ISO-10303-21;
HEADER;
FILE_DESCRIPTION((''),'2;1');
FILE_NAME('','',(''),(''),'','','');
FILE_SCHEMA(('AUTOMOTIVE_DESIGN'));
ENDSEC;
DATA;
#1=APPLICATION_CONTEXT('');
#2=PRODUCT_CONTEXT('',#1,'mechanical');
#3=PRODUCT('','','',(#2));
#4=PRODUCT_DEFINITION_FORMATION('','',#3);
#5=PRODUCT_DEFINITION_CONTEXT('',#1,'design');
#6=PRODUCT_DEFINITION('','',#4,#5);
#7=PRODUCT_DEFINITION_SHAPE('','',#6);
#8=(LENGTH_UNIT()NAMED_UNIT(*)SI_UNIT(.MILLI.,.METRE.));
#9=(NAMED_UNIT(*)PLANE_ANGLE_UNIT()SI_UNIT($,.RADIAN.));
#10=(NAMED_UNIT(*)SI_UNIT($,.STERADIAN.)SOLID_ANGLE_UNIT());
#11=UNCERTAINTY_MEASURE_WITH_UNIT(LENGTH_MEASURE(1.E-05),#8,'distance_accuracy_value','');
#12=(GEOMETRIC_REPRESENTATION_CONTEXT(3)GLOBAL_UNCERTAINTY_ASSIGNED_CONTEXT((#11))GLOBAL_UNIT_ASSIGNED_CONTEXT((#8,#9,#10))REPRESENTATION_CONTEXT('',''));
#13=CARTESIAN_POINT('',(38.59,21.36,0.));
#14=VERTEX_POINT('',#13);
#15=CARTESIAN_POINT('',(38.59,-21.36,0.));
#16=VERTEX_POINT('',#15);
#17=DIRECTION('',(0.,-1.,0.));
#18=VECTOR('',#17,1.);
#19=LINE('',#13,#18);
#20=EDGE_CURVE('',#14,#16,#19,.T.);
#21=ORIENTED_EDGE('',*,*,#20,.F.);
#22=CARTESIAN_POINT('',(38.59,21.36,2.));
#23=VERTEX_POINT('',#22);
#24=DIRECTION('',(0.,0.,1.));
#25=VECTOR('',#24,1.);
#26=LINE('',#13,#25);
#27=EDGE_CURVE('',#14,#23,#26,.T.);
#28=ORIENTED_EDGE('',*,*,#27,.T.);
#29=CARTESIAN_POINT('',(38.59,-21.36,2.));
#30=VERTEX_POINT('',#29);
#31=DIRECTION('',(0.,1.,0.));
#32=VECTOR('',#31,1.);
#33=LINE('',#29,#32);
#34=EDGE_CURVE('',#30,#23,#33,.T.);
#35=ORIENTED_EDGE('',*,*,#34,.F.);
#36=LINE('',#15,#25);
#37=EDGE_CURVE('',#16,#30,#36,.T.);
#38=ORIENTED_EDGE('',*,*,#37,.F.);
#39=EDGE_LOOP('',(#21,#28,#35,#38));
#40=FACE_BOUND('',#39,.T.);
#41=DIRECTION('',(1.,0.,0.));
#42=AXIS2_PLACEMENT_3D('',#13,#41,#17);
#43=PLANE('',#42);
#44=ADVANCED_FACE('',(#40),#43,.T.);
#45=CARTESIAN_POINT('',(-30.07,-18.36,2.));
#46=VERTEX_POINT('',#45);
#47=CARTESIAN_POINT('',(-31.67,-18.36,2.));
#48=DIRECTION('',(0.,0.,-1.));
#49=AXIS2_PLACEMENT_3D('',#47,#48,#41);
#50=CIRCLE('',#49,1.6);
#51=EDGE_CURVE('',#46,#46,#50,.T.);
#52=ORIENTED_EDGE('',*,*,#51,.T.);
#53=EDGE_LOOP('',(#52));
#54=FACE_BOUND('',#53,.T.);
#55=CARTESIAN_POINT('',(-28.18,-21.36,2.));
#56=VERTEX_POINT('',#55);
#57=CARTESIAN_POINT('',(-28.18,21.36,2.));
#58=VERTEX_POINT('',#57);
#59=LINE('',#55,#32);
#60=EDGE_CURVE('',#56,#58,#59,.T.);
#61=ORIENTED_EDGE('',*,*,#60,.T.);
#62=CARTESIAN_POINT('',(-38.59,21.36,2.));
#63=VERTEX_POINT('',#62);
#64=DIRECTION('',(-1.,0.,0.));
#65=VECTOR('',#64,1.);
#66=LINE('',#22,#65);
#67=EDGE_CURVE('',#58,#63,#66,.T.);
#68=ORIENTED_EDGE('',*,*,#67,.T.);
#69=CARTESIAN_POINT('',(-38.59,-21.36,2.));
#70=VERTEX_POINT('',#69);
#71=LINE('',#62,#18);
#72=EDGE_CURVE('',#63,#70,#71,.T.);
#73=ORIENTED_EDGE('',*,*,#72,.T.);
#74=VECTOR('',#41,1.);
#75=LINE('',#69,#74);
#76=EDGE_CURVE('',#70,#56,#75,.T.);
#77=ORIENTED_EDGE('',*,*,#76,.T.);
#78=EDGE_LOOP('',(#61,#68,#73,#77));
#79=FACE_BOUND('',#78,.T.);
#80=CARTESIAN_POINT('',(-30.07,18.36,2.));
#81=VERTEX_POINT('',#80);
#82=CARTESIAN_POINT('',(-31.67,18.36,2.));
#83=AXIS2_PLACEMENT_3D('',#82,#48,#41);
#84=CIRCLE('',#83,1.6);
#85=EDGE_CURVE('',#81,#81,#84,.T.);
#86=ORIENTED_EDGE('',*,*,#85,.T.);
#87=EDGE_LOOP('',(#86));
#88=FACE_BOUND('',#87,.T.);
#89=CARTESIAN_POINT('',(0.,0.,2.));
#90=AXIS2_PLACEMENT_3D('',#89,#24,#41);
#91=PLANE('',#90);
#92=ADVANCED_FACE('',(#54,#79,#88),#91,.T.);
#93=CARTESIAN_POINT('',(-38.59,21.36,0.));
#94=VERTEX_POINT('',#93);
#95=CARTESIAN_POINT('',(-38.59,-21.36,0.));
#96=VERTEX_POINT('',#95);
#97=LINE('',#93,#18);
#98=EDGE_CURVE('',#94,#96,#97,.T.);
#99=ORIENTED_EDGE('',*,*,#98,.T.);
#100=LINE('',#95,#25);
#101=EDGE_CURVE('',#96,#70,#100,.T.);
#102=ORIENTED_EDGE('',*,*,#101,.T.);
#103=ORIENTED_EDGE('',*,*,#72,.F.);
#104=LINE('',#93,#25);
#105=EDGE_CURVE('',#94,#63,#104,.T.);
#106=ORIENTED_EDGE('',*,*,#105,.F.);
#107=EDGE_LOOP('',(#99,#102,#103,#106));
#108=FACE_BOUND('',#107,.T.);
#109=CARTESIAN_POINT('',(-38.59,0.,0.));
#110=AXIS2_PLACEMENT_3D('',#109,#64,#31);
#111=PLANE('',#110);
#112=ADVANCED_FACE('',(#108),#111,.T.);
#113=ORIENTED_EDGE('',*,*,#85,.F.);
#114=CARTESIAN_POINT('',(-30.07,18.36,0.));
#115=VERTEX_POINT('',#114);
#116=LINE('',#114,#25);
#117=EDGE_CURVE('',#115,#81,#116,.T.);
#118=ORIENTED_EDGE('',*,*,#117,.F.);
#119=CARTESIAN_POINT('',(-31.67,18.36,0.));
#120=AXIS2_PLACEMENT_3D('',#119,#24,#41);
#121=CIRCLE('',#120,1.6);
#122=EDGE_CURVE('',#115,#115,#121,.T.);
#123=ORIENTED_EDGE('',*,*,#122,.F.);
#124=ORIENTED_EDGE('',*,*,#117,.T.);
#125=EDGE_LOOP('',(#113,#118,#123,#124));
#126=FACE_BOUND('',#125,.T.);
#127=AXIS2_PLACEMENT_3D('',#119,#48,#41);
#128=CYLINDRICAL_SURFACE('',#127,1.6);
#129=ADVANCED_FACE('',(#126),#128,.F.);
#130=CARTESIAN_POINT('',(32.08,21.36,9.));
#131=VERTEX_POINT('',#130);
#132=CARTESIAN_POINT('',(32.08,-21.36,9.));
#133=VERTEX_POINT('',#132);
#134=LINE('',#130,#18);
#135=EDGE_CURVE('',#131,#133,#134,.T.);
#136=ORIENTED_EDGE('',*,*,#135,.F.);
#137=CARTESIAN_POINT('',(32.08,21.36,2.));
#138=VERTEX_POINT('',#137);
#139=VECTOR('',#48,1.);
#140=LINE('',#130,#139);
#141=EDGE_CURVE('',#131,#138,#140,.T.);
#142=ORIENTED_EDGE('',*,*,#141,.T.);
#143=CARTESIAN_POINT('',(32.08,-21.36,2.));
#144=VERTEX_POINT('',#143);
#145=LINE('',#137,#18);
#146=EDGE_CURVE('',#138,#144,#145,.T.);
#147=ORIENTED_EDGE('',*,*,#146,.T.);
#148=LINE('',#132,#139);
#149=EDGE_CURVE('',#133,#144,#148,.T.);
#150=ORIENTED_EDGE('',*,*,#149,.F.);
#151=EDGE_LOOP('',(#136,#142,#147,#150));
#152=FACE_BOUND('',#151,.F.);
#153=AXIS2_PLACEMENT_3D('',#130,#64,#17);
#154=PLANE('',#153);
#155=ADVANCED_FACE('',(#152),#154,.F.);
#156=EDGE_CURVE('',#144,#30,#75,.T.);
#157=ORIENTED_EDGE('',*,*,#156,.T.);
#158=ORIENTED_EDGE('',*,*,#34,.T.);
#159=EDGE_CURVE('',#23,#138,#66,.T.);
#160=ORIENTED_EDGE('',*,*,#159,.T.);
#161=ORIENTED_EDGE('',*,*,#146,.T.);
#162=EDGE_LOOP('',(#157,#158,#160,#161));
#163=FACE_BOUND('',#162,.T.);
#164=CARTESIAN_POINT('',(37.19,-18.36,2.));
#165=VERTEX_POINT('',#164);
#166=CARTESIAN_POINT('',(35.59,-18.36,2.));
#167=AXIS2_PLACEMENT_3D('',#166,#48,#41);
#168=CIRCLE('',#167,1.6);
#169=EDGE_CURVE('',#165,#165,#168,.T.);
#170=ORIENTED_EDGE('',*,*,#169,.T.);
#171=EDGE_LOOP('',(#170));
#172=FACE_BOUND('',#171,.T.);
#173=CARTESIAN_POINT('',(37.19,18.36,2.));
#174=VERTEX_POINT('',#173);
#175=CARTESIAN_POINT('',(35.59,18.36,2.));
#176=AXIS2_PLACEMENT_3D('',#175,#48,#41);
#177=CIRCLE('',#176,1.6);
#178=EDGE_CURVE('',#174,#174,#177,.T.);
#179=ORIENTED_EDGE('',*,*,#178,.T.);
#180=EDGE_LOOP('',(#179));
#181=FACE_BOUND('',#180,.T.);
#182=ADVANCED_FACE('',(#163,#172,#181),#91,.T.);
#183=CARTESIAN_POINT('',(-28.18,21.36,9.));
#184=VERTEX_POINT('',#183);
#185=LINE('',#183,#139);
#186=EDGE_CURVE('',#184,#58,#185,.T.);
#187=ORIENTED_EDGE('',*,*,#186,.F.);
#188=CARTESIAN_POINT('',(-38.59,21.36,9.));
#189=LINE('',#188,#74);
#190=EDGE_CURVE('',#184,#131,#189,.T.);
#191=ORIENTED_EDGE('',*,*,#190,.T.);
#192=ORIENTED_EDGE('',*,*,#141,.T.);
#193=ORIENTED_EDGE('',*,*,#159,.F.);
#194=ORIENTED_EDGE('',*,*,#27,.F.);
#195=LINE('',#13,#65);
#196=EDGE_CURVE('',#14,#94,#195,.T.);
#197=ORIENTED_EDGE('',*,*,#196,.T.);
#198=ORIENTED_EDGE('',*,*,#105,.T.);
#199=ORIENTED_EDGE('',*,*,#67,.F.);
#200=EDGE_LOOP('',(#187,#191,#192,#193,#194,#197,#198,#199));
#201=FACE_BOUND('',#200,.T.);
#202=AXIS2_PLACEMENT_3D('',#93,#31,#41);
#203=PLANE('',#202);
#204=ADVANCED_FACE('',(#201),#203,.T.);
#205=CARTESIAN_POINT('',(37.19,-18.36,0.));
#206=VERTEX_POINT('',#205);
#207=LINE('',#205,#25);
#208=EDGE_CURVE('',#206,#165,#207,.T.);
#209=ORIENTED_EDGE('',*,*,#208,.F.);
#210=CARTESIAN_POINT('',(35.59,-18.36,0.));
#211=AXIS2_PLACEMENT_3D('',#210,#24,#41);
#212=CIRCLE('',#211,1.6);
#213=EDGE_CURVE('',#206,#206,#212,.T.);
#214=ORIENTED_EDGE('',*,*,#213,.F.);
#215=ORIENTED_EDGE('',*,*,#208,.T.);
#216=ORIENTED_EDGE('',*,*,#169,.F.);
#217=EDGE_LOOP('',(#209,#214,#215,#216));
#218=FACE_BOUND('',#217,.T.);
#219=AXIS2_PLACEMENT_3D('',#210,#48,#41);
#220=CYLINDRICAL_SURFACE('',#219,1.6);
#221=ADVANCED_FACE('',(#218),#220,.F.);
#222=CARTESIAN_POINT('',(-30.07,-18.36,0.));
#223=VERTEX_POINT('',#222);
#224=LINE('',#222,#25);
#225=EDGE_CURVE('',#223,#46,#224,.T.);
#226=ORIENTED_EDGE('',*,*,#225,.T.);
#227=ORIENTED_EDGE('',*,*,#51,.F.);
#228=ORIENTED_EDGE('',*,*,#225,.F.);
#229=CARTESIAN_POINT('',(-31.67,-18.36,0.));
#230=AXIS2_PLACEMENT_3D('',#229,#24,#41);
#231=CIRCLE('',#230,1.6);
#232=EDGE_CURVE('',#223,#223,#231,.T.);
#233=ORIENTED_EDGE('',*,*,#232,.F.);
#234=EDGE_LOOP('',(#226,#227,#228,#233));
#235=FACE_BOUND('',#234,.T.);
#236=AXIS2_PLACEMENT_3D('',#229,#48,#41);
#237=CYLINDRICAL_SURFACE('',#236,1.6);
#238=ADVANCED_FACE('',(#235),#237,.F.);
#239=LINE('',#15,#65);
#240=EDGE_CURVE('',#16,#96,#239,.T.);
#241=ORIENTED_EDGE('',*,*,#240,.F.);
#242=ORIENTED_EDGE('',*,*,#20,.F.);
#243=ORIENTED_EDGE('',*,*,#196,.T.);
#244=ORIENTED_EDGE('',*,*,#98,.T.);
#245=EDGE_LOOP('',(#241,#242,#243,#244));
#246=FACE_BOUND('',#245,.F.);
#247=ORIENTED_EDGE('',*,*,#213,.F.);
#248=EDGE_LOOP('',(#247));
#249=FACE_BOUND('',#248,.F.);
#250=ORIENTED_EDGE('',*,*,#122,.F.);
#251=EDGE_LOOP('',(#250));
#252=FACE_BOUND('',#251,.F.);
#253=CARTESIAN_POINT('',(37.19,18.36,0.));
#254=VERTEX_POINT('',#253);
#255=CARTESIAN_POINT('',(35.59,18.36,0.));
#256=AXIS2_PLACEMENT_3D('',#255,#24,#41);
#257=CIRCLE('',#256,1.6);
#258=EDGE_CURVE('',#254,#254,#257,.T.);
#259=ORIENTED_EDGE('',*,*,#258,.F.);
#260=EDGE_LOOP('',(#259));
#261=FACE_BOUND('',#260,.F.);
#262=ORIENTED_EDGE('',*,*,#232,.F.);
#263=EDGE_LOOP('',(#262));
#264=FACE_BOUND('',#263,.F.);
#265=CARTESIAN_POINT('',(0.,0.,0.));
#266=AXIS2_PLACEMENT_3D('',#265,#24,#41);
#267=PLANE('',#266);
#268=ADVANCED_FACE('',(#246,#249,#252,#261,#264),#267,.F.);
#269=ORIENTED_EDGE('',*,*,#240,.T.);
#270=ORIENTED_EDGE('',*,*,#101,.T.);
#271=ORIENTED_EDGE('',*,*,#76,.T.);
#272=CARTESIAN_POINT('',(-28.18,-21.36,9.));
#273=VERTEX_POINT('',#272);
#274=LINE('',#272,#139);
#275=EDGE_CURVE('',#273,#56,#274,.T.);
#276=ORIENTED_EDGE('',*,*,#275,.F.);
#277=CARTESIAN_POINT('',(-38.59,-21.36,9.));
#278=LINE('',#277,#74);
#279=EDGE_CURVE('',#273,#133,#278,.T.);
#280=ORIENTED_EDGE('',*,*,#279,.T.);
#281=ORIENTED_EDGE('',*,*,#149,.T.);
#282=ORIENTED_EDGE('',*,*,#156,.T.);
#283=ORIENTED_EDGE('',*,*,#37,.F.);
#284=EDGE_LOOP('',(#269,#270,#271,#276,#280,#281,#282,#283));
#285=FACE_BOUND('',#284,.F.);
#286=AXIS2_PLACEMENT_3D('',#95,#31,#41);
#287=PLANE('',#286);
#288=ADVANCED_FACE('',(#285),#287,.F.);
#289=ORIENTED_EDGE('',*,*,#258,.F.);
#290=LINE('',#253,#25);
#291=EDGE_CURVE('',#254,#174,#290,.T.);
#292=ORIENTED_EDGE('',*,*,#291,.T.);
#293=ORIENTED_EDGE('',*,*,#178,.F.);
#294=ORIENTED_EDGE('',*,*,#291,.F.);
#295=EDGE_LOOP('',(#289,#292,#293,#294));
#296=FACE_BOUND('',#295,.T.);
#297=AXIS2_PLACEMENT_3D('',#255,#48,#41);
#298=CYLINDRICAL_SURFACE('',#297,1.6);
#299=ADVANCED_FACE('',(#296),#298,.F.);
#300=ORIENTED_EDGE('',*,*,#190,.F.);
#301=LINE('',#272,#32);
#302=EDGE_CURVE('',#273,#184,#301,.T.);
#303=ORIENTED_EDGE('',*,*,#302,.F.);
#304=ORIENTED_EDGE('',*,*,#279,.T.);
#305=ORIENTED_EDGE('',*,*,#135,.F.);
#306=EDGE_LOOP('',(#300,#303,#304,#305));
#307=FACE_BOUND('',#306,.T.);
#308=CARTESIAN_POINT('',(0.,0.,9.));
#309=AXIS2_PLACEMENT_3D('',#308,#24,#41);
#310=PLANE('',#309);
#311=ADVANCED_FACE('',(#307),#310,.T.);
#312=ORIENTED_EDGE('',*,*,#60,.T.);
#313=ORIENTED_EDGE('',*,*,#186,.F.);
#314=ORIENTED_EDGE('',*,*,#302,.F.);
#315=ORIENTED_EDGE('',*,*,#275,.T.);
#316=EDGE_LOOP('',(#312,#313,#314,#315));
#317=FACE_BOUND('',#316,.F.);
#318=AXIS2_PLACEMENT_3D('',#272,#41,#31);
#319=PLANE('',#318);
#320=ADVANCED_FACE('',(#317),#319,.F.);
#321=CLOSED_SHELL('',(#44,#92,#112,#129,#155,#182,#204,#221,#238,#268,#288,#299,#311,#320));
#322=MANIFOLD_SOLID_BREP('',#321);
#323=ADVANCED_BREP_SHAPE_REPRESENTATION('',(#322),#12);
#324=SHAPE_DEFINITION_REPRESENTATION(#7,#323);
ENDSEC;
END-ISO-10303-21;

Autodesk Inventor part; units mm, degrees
ref_plane "YZ Plane" through (0, 0, 0) normal (1, 0, 0) x (0, 1, 0)
ref_plane "XZ Plane" through (0, 0, 0) normal (0, 1, 0) x (-1, 0, 0)
ref_plane "XY Plane" through (0, 0, 0) normal (0, 0, 1) x (1, 0, 0)
sketch "Ecran" plane through (0, 0, 0) normal (0, 0, 1) x (1, 0, 0)
  line L0 (-38.59, 21.36) -> (38.59, 21.36)
  line L1 (38.59, 21.36) -> (38.59, 0)
  line L2 (-38.59, 0) -> (-38.59, 21.36)
  circle A0 centre (35.59, 18.36) radius 1.6
  line L3 (-38.59, 0) -> (38.59, 0)
  line L4 (35.59, 21.36) -> (35.59, 0)
  line L5 (-31.67, 21.36) -> (-31.67, 0)
  circle A1 centre (-31.67, 18.36) radius 1.6
  line L6 (-38.59, -21.36) -> (38.59, -21.36)
  line L7 (38.59, -21.36) -> (38.59, 0)
  line L8 (-38.59, 0) -> (-38.59, -21.36)
  circle A2 centre (35.59, -18.36) radius 1.6
  line L9 (35.59, -21.36) -> (35.59, 0)
  line L10 (-31.67, -21.36) -> (-31.67, 0)
  circle A3 centre (-31.67, -18.36) radius 1.6
  line L11 (32.08, 21.36) -> (-28.18, 21.36)
  line L12 (-28.18, 21.36) -> (-28.18, -21.36)
  line L13 (-28.18, -21.36) -> (32.08, -21.36)
  line L14 (32.08, -21.36) -> (32.08, 21.36)
  point P0 (0, 0)
  point P1 (38.59, 10.68)
  point P2 (35.59, 10.68)
  point P3 (38.59, -10.68)
  point P4 (35.59, -10.68)
  dimension "d3" = 3.2
  dimension "d4" = 3
  dimension "d5" = 77.18
  dimension "d6" = 21.36
  dimension "d8" = 67.26
  dimension "d9" = 3
  dimension "d12" = 60.26
  dimension "d13" = 6.51
extrude "Extrusion1" add sketch "Ecran" along normal blind 9 contours L0 L5 A1 L3 L2 | L0 L12 L3 L5 A1 | L3 L10 A3 L6 L8 | L0 L14 L3 L12 | L3 L12 L6 L10 A3 | L0 L4 A0 L3 L14 | L3 L14 L6 L12 | L0 L1 L3 L4 A0 | L3 L9 A2 L6 L14 | L3 L7 L6 L9 A2
sketch "Sketch3" plane through (0, 0, 9) normal (0, 0, 1) x (1, 0, 0)
  line L0 (38.59, 21.36) -> (-38.59, 21.36) projected
  line L1 (-38.59, -21.36) -> (38.59, -21.36) projected
  line L2 (38.59, 21.36) -> (32.08, 21.36)
  line L3 (32.08, 21.36) -> (32.08, -21.36)
  line L4 (32.08, -21.36) -> (38.59, -21.36)
  line L5 (38.59, -21.36) -> (38.59, 21.36)
  line L6 (32.08, -21.36) -> (-28.18, -21.36)
  line L7 (-28.18, -21.36) -> (-28.18, 21.36)
  line L8 (-28.18, 21.36) -> (32.08, 21.36)
  line L9 (32.08, 21.36) -> (32.08, -21.36)
  line L10 (-38.59, 21.36) -> (-38.59, -21.36) projected
  line L11 (-28.18, 21.36) -> (-38.59, 21.36)
  line L12 (-38.59, 21.36) -> (-38.59, -21.36)
  line L13 (-38.59, -21.36) -> (-28.18, -21.36)
  line L14 (-28.18, -21.36) -> (-28.18, 21.36)
  point P0 (0, 0)
  point P1 (38.59, -21.36)
  dimension "d14" = 6.51
  dimension "d15" = 60.26
extrude "Extrusion2" cut sketch "Sketch3" against normal blind 7 contours L5 L1 L3 L0 | L7 L1 L10 L0
properties part number "Ecran" material "Glass"
